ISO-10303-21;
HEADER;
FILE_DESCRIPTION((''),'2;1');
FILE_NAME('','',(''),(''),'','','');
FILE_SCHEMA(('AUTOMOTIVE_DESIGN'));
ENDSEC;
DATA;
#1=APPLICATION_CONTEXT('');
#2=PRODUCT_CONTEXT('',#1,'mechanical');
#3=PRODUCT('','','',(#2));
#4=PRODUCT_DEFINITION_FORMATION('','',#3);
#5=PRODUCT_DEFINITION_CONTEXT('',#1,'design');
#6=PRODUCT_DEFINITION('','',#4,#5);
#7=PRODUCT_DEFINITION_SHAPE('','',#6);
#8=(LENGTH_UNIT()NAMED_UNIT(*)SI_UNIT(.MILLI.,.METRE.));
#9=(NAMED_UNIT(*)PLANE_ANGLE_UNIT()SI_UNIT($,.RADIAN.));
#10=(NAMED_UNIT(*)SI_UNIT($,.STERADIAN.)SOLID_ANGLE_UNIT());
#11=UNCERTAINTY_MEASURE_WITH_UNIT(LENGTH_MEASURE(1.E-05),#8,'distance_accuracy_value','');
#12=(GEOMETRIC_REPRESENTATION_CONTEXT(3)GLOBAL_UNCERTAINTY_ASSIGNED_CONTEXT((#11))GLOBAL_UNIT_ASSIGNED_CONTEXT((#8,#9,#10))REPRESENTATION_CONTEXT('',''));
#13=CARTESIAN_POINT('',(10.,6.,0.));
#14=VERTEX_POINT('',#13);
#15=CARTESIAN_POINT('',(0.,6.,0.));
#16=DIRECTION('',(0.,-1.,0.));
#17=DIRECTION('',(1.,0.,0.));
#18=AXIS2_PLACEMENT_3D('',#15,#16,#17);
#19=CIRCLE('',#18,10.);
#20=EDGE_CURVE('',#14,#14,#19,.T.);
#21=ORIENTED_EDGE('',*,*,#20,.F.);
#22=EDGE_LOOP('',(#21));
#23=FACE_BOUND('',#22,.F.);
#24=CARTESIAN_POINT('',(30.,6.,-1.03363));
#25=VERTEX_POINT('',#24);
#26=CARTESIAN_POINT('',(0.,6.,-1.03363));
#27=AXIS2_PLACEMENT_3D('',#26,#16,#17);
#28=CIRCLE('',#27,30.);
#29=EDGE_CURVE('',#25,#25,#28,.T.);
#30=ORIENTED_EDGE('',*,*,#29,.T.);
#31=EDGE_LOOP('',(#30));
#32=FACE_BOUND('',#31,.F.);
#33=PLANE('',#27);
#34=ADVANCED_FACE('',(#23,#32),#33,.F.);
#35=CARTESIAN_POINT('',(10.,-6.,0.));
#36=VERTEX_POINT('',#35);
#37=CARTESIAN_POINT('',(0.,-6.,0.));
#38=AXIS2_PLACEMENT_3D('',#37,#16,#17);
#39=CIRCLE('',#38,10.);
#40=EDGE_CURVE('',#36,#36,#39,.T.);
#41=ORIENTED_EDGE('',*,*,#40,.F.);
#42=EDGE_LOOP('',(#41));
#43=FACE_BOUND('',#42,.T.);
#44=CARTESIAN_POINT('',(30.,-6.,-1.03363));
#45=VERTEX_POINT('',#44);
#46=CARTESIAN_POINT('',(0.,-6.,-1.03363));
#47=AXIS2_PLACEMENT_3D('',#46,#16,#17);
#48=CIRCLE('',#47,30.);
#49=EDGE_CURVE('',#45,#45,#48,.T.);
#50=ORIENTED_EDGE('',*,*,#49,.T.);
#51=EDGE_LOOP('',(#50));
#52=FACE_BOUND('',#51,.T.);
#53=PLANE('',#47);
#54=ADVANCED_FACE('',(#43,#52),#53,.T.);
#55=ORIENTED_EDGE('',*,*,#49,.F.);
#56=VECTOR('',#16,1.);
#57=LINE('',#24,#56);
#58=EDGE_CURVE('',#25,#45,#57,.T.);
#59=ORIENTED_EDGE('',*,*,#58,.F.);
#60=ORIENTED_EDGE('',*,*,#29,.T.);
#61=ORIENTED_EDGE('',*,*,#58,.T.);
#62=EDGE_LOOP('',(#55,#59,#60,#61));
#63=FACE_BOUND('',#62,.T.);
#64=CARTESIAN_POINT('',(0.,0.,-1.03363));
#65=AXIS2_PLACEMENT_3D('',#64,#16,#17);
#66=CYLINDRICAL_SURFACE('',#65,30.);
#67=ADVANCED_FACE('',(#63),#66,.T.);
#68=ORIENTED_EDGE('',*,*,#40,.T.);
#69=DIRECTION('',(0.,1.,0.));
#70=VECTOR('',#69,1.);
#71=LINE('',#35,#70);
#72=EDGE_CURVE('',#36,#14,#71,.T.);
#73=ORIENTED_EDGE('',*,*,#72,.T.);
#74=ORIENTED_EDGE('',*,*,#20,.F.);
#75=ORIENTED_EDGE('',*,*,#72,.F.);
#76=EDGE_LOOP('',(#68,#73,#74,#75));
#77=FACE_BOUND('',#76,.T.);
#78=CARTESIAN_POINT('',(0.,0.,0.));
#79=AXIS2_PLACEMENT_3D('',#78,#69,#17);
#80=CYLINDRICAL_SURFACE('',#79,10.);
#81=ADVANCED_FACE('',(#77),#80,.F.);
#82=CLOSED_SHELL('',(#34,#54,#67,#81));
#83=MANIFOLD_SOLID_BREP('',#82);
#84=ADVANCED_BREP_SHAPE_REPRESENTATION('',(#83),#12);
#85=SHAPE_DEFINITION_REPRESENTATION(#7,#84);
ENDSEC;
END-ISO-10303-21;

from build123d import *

# Parameters (mm, degrees)
F0_R     = 30
F0_R_2   = 10
F1_DEPTH = 6


with BuildPart() as f1:
    # F0 (on Front) → F1 (new body, symmetric)
    with BuildSketch(Plane.XZ):
        with Locations((0, -1.03363)):
            Circle(F0_R)
        Circle(F0_R_2, mode=Mode.SUBTRACT)
    extrude(amount=F1_DEPTH, both=True)


solid = f1.part
